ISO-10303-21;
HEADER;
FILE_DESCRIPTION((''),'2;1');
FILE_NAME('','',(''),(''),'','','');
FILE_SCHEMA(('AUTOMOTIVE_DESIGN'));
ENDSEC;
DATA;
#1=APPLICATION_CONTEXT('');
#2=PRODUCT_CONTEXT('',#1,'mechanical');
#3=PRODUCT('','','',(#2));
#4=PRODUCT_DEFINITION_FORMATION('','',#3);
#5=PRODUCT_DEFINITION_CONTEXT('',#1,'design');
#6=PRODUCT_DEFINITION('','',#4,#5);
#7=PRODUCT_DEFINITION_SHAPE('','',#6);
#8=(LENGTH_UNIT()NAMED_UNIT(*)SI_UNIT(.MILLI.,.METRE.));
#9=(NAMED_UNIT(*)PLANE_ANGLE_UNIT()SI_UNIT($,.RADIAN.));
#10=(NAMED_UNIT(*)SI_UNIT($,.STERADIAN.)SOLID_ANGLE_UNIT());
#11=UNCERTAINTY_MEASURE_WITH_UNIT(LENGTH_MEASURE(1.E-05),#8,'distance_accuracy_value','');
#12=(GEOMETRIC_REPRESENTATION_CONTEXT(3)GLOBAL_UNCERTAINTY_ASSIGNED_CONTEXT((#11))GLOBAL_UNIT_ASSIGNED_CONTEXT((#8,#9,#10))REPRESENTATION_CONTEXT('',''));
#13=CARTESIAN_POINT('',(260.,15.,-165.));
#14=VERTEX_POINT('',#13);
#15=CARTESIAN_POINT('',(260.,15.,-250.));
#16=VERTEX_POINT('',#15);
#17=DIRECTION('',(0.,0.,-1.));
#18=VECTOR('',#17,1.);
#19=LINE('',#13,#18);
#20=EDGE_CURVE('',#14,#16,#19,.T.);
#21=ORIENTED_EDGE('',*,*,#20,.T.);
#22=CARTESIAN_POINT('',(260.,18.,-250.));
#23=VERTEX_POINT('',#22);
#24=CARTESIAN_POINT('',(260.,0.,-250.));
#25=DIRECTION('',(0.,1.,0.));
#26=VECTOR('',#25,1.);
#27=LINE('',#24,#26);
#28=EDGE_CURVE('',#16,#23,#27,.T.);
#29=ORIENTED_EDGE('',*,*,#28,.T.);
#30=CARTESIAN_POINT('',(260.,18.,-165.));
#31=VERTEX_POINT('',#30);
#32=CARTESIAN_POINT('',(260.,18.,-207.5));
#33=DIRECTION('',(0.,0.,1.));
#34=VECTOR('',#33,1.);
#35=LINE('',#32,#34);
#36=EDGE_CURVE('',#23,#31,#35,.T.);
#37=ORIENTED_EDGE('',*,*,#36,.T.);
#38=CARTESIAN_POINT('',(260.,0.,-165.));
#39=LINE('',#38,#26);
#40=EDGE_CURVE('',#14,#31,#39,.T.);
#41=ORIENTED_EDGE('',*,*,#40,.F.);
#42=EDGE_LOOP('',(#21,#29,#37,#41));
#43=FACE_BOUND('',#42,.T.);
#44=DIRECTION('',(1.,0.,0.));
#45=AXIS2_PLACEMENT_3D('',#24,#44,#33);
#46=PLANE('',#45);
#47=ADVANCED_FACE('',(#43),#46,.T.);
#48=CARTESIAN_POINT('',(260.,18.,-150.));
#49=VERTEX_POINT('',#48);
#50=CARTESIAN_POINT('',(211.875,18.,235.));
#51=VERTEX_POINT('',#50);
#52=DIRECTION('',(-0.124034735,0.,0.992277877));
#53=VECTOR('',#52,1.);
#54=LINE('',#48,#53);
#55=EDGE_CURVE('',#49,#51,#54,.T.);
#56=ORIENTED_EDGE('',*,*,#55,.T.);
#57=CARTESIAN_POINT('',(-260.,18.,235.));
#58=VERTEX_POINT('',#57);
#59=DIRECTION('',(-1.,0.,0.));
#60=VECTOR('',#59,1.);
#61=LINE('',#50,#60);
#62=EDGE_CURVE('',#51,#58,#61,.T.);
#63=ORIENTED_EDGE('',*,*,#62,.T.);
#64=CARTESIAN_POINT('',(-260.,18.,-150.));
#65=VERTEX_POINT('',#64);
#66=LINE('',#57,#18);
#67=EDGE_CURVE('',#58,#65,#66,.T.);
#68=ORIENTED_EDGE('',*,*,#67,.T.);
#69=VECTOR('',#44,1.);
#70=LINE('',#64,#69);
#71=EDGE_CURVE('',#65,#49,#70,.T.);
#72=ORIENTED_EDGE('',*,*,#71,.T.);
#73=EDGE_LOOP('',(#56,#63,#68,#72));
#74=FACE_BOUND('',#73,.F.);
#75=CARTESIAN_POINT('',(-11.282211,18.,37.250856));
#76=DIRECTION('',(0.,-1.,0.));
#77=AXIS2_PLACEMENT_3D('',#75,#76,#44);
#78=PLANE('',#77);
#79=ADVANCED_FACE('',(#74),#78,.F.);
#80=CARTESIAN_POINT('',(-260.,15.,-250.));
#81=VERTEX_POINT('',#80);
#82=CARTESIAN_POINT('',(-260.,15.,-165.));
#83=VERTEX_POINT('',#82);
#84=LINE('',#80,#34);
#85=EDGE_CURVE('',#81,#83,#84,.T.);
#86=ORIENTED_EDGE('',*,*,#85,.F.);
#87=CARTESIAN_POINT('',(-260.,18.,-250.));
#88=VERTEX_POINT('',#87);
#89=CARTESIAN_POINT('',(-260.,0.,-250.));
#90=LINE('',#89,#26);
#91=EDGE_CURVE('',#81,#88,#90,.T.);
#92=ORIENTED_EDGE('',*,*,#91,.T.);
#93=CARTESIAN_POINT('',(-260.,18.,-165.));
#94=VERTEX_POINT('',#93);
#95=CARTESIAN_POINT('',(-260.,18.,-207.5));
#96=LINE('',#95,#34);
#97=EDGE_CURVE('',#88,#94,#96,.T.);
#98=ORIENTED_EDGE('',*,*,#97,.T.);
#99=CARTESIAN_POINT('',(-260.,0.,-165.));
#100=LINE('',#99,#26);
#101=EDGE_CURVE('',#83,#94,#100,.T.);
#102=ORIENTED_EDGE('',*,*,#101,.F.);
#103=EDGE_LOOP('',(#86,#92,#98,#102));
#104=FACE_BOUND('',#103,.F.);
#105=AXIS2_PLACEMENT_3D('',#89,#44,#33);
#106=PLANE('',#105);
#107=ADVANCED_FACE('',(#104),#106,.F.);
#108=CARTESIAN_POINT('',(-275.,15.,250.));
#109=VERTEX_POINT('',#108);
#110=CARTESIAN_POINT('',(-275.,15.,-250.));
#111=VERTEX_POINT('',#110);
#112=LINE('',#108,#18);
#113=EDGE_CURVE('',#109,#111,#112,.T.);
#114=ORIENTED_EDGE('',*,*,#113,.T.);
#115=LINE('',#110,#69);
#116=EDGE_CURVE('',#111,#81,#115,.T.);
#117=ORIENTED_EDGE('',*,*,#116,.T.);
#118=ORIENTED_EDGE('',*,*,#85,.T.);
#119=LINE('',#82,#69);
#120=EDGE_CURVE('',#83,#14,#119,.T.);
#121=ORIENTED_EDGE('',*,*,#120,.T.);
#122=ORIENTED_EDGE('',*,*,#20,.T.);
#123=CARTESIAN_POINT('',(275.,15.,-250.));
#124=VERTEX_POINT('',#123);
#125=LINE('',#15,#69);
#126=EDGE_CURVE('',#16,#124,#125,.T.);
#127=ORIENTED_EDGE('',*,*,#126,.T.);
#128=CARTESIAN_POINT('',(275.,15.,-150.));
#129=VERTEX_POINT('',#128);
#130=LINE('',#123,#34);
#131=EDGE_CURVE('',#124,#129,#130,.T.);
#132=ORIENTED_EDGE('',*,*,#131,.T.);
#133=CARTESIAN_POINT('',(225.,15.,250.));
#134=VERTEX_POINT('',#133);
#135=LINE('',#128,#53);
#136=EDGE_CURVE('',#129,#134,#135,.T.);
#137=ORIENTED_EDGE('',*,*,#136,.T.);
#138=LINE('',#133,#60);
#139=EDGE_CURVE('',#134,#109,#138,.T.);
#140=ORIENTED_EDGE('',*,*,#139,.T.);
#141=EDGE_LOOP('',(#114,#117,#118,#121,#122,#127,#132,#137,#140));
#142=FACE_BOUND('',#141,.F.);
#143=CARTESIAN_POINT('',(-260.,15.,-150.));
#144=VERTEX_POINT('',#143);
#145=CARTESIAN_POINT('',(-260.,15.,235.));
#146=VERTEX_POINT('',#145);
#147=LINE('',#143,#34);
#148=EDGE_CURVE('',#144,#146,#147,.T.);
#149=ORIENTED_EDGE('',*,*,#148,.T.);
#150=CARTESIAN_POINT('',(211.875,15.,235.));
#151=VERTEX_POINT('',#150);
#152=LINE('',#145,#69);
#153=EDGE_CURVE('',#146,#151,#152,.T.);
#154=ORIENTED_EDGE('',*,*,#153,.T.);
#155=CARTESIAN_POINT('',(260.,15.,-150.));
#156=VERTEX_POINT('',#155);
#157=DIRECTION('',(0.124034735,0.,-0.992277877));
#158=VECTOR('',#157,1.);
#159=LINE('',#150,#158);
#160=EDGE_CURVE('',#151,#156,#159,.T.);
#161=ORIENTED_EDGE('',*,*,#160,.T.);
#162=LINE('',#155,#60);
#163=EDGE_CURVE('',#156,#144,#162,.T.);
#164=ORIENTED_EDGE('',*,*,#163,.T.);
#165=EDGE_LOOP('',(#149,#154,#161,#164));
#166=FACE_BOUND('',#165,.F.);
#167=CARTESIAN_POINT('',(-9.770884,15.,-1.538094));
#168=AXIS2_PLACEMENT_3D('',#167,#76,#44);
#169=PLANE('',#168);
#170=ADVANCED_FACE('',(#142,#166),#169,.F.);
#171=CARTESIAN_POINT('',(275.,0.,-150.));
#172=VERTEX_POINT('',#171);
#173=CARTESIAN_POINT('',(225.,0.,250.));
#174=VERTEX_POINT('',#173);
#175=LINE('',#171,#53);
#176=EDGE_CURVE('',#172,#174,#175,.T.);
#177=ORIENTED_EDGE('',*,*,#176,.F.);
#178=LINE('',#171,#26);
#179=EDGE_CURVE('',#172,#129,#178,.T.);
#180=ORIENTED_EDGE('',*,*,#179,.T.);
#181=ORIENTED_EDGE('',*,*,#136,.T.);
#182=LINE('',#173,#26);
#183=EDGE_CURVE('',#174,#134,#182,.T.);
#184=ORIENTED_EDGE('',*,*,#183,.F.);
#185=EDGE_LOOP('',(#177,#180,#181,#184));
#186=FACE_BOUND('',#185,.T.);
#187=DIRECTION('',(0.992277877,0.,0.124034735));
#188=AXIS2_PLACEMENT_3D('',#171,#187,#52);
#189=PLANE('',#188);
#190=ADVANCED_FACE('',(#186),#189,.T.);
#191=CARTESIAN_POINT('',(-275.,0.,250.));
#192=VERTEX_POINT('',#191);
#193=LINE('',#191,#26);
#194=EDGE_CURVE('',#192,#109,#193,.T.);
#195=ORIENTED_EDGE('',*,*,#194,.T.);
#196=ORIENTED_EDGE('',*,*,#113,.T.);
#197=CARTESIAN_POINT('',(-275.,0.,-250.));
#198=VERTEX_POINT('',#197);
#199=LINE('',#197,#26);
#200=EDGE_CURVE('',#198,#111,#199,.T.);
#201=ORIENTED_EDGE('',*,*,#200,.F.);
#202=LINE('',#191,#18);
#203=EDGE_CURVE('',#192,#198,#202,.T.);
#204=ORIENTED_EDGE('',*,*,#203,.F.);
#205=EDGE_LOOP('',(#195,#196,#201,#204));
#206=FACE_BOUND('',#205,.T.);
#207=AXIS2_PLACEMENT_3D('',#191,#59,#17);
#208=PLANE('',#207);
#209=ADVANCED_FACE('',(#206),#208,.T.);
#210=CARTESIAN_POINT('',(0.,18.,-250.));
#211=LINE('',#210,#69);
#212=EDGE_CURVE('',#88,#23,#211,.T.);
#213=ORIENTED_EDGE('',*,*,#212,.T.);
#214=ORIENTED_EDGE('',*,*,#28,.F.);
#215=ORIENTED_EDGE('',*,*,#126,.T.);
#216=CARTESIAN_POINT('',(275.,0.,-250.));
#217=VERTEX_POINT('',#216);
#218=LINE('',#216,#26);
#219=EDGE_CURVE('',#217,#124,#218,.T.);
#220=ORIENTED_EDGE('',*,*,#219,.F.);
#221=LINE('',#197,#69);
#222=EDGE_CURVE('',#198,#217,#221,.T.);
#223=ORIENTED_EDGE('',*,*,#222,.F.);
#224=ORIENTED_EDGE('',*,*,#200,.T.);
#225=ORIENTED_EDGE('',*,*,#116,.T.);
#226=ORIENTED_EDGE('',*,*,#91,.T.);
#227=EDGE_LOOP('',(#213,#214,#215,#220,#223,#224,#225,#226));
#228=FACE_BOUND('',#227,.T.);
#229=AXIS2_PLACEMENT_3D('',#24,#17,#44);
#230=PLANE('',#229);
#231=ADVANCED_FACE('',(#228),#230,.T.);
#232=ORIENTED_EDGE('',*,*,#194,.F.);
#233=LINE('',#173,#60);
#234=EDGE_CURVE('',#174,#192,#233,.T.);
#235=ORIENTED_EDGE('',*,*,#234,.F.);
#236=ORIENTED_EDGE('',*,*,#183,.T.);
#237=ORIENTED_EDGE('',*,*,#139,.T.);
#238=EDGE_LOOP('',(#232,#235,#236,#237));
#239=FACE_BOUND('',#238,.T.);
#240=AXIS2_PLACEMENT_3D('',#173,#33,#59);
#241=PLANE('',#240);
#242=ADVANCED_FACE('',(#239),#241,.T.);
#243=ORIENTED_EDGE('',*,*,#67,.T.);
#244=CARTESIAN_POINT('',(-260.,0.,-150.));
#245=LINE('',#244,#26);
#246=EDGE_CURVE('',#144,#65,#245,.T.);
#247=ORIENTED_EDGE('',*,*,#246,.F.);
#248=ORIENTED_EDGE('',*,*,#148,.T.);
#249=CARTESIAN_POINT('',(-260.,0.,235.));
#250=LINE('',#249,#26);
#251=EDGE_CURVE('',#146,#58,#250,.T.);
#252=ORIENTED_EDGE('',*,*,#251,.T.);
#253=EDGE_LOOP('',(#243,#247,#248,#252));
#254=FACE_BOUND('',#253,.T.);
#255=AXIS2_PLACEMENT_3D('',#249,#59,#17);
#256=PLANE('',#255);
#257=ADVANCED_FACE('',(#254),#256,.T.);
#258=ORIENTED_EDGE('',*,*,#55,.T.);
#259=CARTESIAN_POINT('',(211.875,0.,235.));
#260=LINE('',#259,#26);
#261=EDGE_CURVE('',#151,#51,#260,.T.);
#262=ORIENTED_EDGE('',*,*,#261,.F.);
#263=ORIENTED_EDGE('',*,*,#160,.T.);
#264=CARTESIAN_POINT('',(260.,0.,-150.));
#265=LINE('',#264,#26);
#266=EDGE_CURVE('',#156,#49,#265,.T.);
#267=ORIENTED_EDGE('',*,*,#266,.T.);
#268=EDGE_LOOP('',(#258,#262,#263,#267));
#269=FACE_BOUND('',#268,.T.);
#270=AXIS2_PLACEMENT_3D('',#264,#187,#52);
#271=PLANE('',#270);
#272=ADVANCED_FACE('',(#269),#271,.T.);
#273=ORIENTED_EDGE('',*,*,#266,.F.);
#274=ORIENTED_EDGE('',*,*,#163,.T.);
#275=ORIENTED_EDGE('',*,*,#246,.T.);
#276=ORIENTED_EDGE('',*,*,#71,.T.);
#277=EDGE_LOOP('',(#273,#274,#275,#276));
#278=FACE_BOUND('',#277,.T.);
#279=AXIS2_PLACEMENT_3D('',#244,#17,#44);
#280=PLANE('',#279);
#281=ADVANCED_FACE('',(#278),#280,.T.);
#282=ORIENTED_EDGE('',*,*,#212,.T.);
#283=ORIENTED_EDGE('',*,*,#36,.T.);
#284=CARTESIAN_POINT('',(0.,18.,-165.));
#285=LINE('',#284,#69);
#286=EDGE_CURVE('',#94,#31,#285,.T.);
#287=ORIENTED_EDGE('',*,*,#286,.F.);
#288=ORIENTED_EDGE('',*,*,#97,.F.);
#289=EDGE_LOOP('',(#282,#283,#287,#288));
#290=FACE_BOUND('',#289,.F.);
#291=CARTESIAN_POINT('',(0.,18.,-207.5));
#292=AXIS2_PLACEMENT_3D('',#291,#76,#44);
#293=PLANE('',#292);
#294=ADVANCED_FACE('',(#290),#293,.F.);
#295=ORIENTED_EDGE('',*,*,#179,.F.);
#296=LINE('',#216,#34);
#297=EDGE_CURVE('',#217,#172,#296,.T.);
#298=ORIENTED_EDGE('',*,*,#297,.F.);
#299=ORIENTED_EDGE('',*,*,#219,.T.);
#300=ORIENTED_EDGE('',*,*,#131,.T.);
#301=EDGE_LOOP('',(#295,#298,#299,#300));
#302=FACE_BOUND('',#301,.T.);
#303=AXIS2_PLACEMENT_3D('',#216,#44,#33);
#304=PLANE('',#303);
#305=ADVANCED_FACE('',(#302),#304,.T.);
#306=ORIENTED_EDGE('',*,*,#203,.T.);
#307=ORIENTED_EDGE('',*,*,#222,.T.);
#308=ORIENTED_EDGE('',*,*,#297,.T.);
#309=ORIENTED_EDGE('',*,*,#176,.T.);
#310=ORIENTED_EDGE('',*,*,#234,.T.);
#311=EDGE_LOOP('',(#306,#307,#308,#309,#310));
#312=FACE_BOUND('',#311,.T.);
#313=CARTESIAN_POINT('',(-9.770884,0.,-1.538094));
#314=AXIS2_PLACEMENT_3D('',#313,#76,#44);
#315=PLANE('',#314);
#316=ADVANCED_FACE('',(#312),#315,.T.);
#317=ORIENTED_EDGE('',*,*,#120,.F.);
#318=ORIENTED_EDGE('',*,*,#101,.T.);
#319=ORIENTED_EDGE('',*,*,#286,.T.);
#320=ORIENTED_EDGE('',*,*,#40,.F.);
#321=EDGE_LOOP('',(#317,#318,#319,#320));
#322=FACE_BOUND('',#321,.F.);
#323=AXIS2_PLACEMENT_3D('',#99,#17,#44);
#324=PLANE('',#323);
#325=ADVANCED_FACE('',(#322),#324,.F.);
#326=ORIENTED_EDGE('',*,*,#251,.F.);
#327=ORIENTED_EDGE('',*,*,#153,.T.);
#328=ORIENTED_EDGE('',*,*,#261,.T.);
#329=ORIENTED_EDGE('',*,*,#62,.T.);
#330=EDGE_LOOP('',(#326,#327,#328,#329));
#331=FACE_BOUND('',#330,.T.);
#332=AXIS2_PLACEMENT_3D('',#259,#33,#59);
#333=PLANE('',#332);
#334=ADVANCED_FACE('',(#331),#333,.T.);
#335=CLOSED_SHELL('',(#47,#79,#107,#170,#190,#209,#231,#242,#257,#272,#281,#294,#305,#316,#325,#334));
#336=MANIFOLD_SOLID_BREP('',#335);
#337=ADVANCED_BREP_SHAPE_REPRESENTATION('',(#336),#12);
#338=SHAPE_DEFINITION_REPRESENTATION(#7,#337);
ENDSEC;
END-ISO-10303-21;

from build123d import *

# Parameters (mm, degrees)
F1_DEPTH = 18
F0_W     = 520
F0_H     = 85
F2_DEPTH = 15


with BuildPart() as f1:
    # F0 (on Front) → F1 (new body)
    with BuildSketch(Plane.XZ):
        Polygon((-260, -150), (260, -150), (211.875, 235), (-260, 235), align=None)
    extrude(amount=-F1_DEPTH)



with BuildPart() as f1b:
    # F0 (on Front) → F1, piece 2 (new body)
    with BuildSketch(Plane.XZ):
        with Locations((0, -207.5)):
            Rectangle(F0_W, F0_H)
    extrude(amount=-F1_DEPTH)


with BuildPart() as f1_1:
    add(f1.part)

    add(f1b.part)  # F2 merges F1b
    # F0 (on Front) → F2 (join)
    with BuildSketch(Plane.XZ):
        Polygon((275, -150), (225, 250), (-275, 250), (-275, -250), (-260, -250), (-260, -165), (260, -165), (260, -250), (275, -250), align=None)
        Polygon((211.875, 235), (260, -150), (-260, -150), (-260, 235), align=None, mode=Mode.SUBTRACT)
    extrude(amount=-F2_DEPTH)


solid = f1_1.part
